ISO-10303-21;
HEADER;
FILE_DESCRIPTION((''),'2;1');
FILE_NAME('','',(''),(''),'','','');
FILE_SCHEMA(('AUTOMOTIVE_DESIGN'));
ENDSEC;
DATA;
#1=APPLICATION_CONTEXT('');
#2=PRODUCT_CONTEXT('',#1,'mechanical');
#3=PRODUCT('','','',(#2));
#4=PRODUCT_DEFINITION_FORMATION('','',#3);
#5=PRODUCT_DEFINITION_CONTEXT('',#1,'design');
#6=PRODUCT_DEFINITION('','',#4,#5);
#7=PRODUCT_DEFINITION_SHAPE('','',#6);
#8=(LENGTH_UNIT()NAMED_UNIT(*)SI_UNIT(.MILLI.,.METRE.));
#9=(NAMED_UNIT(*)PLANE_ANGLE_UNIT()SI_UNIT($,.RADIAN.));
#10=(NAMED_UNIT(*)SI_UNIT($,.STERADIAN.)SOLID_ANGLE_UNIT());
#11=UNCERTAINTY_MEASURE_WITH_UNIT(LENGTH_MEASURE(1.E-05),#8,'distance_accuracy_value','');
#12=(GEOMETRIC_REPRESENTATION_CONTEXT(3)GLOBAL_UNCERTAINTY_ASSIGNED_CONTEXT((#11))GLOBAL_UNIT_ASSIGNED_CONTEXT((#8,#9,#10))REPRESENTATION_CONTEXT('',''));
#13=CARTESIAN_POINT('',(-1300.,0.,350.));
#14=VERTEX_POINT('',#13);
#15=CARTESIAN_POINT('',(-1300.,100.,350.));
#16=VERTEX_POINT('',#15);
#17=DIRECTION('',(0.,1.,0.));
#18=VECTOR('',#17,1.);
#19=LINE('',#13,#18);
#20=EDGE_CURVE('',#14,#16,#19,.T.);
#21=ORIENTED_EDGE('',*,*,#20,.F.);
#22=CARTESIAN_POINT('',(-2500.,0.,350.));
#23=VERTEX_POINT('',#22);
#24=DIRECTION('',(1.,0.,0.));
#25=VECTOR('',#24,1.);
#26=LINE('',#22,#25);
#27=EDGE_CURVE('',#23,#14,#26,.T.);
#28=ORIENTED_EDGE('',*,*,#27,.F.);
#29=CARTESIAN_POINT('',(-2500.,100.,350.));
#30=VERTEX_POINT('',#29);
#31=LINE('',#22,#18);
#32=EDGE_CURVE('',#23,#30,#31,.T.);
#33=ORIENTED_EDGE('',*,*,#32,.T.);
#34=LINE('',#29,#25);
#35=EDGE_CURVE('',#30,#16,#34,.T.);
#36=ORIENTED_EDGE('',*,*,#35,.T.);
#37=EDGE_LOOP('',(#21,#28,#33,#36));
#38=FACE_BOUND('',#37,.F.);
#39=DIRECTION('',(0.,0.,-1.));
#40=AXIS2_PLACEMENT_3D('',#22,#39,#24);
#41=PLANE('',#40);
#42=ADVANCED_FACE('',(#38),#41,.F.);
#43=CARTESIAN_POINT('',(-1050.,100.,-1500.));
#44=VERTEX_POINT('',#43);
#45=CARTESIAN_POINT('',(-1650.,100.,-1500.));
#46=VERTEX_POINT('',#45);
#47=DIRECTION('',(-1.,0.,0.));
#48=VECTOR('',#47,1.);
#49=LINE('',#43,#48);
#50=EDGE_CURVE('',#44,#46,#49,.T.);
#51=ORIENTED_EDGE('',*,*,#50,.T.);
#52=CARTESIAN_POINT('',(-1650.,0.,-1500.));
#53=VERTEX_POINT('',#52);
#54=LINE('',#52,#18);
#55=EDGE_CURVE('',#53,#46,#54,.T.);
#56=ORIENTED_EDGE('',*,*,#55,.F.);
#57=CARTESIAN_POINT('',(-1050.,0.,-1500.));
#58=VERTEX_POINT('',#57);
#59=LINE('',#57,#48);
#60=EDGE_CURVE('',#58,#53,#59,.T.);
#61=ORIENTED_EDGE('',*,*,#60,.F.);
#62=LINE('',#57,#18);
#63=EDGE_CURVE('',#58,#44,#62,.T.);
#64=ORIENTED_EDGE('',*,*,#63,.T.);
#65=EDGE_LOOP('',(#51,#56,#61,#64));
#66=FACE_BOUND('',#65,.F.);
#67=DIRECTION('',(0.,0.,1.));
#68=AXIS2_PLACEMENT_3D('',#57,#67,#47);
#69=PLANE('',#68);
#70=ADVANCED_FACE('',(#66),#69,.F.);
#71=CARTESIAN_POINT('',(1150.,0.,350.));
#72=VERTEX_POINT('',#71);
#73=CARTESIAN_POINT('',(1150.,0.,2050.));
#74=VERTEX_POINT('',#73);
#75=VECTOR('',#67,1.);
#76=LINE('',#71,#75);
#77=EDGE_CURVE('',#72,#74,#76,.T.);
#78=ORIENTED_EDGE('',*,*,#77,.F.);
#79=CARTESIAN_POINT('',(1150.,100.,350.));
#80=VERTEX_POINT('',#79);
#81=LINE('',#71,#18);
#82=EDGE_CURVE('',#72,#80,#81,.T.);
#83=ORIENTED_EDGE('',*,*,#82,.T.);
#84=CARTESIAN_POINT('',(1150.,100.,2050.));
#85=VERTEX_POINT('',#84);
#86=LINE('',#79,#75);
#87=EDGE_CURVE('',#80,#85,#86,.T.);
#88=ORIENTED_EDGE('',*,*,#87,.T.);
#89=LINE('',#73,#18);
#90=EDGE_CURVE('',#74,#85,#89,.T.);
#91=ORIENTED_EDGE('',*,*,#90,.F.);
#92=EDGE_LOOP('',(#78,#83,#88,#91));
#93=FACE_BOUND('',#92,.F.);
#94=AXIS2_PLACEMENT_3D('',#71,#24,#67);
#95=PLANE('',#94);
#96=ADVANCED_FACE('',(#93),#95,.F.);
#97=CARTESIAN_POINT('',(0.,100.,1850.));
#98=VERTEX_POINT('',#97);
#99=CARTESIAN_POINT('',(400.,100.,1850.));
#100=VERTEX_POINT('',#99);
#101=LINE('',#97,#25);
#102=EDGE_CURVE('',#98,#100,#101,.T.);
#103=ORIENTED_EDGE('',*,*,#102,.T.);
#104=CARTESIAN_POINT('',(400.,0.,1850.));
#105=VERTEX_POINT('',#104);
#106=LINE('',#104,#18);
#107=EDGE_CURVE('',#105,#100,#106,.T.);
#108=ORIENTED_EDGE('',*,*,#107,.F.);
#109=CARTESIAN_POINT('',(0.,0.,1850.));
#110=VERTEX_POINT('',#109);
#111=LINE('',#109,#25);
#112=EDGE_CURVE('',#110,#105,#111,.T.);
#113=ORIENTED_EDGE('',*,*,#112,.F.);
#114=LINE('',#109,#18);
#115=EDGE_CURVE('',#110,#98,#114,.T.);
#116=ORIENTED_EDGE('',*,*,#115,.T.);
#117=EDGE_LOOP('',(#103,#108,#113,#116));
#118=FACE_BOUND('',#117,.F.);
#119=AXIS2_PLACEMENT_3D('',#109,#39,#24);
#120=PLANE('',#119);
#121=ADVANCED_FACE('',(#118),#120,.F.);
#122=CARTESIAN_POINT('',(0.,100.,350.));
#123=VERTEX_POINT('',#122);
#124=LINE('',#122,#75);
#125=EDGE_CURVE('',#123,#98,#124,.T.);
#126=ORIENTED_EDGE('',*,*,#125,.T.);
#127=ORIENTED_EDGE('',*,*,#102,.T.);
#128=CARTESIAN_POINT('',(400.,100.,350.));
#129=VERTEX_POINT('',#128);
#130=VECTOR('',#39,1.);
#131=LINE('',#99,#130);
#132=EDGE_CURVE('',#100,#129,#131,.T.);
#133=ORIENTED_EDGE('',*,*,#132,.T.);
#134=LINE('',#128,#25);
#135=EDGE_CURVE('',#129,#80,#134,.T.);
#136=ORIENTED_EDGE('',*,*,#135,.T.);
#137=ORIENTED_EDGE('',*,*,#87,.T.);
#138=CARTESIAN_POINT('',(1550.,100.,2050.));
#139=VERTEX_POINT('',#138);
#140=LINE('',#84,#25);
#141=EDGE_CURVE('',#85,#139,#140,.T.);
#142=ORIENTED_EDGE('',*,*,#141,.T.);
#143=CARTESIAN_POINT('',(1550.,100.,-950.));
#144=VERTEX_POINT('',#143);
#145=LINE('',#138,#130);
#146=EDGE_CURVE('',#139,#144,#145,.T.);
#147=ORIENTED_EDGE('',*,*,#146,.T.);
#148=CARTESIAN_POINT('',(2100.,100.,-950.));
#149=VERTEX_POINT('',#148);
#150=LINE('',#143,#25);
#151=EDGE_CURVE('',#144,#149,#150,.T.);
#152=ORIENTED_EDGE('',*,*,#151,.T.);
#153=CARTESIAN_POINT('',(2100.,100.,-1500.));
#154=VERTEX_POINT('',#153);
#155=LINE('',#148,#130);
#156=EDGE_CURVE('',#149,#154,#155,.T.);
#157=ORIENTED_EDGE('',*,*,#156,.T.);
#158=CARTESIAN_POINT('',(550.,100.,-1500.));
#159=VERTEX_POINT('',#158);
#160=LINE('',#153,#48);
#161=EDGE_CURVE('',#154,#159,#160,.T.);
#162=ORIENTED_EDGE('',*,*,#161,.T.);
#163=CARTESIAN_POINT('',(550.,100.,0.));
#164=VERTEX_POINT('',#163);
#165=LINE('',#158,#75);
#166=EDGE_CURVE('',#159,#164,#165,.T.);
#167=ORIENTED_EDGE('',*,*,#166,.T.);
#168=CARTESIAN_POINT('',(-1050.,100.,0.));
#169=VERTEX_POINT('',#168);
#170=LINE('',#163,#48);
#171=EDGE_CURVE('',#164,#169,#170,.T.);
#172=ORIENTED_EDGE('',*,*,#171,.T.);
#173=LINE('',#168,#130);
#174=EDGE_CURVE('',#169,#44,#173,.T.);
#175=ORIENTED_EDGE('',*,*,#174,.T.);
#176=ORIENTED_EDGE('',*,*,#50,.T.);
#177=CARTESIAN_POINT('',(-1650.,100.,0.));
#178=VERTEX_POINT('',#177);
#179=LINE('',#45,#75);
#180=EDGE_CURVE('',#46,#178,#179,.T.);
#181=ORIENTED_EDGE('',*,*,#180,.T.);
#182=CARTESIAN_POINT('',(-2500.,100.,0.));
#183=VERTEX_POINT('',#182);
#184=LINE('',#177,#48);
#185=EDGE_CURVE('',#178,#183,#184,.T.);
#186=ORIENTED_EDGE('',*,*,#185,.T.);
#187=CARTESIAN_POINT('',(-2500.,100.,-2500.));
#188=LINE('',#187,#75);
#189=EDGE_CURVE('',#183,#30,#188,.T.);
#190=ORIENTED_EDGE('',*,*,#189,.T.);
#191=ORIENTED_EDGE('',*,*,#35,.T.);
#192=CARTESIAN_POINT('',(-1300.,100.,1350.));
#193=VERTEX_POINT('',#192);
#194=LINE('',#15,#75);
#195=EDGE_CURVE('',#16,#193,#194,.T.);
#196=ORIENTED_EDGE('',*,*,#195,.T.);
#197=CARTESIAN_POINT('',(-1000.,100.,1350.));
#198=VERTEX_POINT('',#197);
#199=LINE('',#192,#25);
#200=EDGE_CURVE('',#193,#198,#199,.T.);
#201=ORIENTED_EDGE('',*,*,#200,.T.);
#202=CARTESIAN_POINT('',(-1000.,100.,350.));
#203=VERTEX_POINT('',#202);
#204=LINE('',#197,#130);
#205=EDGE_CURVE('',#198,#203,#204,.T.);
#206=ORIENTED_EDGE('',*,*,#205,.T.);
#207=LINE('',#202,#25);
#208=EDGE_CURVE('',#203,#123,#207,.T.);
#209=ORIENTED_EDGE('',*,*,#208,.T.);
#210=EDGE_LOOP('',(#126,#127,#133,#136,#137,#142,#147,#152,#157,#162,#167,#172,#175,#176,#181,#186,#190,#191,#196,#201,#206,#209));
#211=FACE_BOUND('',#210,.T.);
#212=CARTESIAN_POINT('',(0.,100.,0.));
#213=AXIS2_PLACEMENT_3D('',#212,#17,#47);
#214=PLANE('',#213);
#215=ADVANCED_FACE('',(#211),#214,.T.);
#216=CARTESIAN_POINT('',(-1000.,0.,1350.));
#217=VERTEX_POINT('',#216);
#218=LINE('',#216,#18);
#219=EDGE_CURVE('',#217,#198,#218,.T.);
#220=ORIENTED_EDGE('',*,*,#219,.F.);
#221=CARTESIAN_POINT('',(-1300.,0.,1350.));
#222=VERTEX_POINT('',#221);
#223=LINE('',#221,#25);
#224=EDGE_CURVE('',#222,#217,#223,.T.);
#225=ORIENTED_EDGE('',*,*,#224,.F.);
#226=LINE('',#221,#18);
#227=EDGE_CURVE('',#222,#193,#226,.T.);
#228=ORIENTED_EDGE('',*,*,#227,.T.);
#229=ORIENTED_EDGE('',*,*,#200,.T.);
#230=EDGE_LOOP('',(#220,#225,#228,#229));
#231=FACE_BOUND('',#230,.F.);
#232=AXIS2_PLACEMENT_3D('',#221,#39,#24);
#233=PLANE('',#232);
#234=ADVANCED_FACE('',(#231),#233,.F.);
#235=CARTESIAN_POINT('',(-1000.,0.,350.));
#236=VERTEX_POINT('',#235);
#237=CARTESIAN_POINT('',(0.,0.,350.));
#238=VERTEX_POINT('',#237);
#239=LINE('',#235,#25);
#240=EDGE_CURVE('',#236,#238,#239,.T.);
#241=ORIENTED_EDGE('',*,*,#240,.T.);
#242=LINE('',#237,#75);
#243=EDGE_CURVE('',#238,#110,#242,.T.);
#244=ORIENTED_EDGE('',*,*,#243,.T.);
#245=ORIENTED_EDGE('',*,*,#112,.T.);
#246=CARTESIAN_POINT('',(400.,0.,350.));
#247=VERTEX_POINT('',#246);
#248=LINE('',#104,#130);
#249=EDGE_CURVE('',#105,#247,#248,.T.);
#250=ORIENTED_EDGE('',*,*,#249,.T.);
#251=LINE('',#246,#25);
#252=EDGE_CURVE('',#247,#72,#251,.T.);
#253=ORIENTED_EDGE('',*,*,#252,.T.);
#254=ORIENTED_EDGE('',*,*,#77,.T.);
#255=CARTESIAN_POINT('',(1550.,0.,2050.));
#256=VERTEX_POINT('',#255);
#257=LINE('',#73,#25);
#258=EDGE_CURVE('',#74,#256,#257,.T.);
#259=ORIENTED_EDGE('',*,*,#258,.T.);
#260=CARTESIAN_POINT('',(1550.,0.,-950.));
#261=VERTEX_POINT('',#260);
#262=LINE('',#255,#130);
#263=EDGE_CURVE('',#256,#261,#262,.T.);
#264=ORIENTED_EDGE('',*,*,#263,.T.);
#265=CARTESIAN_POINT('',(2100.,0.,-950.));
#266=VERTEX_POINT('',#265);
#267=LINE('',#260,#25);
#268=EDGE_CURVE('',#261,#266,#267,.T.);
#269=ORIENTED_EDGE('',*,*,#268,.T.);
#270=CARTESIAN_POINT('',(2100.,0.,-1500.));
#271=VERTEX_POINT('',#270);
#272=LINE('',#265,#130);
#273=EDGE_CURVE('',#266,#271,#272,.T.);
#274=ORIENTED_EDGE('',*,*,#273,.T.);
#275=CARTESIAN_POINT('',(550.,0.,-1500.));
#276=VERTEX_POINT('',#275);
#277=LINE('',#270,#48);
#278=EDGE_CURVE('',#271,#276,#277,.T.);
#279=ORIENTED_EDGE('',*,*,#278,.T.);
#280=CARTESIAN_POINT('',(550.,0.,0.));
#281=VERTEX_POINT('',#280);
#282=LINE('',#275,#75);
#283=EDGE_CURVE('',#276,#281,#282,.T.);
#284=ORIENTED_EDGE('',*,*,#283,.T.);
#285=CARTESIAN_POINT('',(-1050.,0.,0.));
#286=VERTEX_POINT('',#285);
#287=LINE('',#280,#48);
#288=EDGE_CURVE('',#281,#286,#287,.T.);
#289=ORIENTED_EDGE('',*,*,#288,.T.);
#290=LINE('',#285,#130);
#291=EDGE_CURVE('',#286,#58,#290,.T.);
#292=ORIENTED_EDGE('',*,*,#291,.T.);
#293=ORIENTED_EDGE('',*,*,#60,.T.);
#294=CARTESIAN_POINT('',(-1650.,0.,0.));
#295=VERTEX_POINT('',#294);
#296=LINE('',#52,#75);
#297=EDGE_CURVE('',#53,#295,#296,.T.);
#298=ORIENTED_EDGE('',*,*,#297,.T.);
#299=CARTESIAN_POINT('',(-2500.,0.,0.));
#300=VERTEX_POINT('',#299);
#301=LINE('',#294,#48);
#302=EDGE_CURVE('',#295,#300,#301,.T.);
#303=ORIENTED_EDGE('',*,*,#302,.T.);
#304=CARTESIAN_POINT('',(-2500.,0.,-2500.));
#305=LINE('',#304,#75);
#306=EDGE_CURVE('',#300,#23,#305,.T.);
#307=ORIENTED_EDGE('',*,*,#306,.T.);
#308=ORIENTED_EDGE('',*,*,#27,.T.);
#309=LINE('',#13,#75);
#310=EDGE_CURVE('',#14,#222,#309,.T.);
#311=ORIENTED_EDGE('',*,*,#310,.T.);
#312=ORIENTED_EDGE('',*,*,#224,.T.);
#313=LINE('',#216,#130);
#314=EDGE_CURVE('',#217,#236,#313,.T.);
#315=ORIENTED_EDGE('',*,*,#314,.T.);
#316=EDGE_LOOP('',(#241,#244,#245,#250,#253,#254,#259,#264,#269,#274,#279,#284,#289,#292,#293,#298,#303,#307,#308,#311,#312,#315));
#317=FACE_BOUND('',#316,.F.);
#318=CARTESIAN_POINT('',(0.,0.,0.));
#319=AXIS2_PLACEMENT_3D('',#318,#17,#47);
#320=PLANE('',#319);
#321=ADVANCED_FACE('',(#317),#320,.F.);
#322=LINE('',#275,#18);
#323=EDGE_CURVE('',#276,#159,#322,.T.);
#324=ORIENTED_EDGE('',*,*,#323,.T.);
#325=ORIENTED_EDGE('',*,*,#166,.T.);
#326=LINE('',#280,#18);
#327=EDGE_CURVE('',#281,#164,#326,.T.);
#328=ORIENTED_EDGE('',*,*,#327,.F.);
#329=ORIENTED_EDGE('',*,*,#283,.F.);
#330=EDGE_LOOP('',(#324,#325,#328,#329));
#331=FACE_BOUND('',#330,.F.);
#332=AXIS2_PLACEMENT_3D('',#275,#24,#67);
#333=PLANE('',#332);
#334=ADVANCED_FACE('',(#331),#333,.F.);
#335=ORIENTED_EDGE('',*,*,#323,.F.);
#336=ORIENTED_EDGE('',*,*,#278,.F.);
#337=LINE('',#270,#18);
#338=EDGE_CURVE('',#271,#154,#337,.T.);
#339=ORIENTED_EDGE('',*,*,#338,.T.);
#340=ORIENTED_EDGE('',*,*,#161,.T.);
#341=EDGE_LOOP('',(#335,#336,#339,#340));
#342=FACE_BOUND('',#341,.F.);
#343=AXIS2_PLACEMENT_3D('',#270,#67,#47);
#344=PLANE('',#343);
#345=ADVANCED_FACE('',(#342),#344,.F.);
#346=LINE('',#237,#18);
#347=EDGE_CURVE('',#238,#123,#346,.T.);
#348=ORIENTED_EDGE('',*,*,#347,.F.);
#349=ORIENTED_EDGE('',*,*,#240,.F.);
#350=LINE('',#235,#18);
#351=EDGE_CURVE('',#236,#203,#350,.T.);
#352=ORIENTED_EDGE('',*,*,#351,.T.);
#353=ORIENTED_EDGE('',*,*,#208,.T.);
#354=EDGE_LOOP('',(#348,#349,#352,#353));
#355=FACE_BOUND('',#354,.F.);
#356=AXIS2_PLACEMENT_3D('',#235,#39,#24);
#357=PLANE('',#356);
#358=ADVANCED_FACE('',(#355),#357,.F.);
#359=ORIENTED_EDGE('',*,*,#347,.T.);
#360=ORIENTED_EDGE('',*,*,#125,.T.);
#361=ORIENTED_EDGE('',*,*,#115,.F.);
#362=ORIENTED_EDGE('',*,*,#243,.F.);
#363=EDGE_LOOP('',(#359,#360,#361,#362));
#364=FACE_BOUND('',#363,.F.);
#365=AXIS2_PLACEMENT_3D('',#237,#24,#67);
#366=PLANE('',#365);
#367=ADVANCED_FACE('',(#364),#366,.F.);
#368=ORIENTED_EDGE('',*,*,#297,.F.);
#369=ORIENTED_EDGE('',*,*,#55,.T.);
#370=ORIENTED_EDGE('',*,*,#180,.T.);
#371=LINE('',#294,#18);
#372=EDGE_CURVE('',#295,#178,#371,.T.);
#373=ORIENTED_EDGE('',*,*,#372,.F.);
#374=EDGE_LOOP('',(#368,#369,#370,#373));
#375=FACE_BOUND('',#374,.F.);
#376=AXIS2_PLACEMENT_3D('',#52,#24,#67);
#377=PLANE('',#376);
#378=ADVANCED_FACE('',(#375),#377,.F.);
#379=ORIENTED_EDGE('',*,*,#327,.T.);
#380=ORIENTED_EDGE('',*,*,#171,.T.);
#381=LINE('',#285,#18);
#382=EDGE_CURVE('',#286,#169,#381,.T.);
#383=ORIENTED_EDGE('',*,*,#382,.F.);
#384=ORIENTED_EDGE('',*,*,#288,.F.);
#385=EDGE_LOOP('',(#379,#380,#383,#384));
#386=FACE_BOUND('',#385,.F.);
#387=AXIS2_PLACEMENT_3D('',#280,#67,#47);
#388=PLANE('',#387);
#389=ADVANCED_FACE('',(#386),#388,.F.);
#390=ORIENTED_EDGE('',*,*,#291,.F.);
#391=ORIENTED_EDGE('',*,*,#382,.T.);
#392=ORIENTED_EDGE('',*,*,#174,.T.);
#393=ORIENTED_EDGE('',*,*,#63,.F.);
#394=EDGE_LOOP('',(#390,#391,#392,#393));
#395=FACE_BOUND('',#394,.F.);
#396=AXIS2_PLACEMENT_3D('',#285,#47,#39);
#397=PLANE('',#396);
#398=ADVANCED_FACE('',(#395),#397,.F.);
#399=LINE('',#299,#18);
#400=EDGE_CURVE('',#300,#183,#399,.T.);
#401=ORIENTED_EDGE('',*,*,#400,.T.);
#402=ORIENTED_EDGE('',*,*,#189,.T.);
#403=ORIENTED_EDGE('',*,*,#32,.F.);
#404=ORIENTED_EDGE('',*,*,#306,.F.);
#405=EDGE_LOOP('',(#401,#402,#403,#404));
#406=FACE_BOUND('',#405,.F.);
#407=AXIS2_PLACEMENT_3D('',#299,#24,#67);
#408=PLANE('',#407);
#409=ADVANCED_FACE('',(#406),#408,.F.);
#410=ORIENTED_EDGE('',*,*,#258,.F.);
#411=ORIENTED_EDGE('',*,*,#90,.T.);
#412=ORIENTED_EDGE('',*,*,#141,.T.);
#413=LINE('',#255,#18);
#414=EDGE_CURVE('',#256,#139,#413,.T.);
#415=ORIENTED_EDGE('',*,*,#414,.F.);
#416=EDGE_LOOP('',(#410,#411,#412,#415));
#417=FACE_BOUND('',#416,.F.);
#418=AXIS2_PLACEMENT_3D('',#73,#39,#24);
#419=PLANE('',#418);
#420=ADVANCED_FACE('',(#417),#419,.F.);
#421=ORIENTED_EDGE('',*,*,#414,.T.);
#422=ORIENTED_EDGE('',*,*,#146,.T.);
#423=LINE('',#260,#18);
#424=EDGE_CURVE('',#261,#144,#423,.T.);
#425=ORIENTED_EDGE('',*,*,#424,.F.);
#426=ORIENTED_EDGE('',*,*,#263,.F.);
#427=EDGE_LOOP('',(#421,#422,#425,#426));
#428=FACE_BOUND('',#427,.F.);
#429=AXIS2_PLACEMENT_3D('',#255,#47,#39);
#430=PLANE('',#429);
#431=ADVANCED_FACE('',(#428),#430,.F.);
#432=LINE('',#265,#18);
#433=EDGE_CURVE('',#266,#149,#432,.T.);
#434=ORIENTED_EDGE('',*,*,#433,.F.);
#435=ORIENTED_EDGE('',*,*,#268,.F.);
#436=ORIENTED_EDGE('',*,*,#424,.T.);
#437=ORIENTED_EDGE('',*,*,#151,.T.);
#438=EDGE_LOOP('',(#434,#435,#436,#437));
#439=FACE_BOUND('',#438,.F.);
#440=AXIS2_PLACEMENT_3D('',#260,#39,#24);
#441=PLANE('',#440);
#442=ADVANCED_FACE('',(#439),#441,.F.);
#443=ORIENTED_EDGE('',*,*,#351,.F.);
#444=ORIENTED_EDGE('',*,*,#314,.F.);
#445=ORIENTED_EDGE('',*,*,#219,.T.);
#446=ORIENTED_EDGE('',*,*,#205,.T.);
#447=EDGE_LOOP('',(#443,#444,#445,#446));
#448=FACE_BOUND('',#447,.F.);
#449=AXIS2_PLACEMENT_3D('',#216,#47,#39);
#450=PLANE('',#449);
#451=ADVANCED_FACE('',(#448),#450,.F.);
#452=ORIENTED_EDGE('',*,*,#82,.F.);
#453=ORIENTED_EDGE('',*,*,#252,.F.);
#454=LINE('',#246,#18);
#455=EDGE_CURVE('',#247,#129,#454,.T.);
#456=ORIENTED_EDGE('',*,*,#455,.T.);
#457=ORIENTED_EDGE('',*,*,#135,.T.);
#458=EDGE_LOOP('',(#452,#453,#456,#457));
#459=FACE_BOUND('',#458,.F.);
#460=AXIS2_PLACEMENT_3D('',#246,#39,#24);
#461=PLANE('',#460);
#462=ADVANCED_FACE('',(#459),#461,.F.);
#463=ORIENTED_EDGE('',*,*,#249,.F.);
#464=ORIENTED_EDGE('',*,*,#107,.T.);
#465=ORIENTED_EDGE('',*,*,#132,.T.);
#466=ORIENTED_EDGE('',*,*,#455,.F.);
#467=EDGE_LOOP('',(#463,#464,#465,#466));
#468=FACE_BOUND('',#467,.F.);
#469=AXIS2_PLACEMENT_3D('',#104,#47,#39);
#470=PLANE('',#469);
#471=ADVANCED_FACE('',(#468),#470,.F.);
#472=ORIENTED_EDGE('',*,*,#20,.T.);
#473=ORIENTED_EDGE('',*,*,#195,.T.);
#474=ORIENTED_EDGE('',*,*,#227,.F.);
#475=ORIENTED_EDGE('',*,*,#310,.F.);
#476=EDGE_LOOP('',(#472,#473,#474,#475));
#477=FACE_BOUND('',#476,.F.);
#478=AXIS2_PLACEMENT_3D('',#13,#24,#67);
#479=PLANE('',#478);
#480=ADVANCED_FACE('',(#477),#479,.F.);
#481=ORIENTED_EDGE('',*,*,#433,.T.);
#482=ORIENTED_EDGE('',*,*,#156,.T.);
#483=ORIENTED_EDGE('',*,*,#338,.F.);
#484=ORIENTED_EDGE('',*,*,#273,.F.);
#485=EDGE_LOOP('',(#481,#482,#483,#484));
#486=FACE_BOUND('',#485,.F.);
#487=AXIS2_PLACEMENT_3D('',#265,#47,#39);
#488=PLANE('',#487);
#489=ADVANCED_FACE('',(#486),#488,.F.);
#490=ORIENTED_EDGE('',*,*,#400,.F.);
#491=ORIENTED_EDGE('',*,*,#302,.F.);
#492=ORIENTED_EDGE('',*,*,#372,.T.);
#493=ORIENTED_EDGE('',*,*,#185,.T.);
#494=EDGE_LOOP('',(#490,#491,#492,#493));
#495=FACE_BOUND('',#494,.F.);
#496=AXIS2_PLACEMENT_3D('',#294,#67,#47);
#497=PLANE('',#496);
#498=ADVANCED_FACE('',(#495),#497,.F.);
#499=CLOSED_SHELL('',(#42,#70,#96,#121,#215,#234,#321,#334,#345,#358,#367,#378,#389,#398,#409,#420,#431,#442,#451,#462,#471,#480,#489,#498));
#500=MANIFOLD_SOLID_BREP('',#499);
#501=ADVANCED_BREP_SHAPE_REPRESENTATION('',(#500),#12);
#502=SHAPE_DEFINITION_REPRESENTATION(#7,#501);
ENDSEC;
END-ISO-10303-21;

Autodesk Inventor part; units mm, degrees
ref_plane "YZ Plane" through (0, 0, 0) normal (1, 0, 0) x (0, 1, 0)
ref_plane "XZ Plane" through (0, 0, 0) normal (0, 1, 0) x (-1, 0, 0)
ref_plane "XY Plane" through (0, 0, 0) normal (0, 0, 1) x (1, 0, 0)
sketch "Sketch1" plane through (0, 0, 0) normal (0, 1, 0) x (-1, 0, 0)
  line L0 (2500, 2500) -> (-2500, 2500)
  line L1 (-2500, 2500) -> (-2500, -2500)
  line L2 (-2500, -2500) -> (2500, -2500)
  line L3 (2500, -2500) -> (2500, 2500)
  line L4 (2500, 2500) -> (-2500, -2500) construction
  line L5 (-2500, 2500) -> (2500, -2500) construction
  line L6 (2500, 350) -> (1300, 350)
  line L7 (1300, 350) -> (1300, 1350)
  line L8 (1300, 1350) -> (1000, 1350)
  line L9 (1000, 1350) -> (1000, 350)
  line L10 (1000, 350) -> (0, 350)
  line L11 (-400, 350) -> (-1150, 350)
  line L12 (-1150, 350) -> (-1150, 2050)
  line L13 (-1150, 2050) -> (-1550, 2050)
  line L14 (-1550, 2050) -> (-1550, -950)
  line L15 (-1550, -950) -> (-2100, -950)
  line L16 (-2100, -950) -> (-2100, -1500)
  line L17 (-2100, -1500) -> (-550, -1500)
  line L18 (-550, -1500) -> (-550, 0)
  line L19 (-550, 0) -> (1050, 0)
  line L20 (1050, 0) -> (1050, -1500)
  line L21 (1050, -1500) -> (1650, -1500)
  line L22 (1650, -1500) -> (1650, 0)
  line L23 (1650, 0) -> (2500, 0)
  line L24 (0, 350) -> (0, 1850)
  line L25 (0, 1850) -> (-400, 1850)
  line L26 (-400, 1850) -> (-400, 350)
  point P0 (0, 0)
  dimension "d0" = 5000
  dimension "d1" = 5000
  dimension "d2" = 1200
  dimension "d3" = 300
  dimension "d4" = 1000
  dimension "d5" = 2500
  dimension "d6" = 350
  dimension "d7" = 850
  dimension "d8" = 600
  dimension "d10" = 1500
  dimension "d12" = 400
  dimension "d13" = 1000
  dimension "d14" = 750
  dimension "d15" = 400
  dimension "d16" = 1700
  dimension "d17" = 400
  dimension "d18" = 3000
  dimension "d19" = 1000
  dimension "d20" = 1600
extrude "Extrusion1" add sketch "Sketch1" along normal blind 100 contours L3 L23 L22 L21 L20 L19 L18 L17 L16 L15 L14 L13 L12 L11 L26 L25 L24 L10 L9 L8 L7 L6
properties part number "medium_obstacle"
